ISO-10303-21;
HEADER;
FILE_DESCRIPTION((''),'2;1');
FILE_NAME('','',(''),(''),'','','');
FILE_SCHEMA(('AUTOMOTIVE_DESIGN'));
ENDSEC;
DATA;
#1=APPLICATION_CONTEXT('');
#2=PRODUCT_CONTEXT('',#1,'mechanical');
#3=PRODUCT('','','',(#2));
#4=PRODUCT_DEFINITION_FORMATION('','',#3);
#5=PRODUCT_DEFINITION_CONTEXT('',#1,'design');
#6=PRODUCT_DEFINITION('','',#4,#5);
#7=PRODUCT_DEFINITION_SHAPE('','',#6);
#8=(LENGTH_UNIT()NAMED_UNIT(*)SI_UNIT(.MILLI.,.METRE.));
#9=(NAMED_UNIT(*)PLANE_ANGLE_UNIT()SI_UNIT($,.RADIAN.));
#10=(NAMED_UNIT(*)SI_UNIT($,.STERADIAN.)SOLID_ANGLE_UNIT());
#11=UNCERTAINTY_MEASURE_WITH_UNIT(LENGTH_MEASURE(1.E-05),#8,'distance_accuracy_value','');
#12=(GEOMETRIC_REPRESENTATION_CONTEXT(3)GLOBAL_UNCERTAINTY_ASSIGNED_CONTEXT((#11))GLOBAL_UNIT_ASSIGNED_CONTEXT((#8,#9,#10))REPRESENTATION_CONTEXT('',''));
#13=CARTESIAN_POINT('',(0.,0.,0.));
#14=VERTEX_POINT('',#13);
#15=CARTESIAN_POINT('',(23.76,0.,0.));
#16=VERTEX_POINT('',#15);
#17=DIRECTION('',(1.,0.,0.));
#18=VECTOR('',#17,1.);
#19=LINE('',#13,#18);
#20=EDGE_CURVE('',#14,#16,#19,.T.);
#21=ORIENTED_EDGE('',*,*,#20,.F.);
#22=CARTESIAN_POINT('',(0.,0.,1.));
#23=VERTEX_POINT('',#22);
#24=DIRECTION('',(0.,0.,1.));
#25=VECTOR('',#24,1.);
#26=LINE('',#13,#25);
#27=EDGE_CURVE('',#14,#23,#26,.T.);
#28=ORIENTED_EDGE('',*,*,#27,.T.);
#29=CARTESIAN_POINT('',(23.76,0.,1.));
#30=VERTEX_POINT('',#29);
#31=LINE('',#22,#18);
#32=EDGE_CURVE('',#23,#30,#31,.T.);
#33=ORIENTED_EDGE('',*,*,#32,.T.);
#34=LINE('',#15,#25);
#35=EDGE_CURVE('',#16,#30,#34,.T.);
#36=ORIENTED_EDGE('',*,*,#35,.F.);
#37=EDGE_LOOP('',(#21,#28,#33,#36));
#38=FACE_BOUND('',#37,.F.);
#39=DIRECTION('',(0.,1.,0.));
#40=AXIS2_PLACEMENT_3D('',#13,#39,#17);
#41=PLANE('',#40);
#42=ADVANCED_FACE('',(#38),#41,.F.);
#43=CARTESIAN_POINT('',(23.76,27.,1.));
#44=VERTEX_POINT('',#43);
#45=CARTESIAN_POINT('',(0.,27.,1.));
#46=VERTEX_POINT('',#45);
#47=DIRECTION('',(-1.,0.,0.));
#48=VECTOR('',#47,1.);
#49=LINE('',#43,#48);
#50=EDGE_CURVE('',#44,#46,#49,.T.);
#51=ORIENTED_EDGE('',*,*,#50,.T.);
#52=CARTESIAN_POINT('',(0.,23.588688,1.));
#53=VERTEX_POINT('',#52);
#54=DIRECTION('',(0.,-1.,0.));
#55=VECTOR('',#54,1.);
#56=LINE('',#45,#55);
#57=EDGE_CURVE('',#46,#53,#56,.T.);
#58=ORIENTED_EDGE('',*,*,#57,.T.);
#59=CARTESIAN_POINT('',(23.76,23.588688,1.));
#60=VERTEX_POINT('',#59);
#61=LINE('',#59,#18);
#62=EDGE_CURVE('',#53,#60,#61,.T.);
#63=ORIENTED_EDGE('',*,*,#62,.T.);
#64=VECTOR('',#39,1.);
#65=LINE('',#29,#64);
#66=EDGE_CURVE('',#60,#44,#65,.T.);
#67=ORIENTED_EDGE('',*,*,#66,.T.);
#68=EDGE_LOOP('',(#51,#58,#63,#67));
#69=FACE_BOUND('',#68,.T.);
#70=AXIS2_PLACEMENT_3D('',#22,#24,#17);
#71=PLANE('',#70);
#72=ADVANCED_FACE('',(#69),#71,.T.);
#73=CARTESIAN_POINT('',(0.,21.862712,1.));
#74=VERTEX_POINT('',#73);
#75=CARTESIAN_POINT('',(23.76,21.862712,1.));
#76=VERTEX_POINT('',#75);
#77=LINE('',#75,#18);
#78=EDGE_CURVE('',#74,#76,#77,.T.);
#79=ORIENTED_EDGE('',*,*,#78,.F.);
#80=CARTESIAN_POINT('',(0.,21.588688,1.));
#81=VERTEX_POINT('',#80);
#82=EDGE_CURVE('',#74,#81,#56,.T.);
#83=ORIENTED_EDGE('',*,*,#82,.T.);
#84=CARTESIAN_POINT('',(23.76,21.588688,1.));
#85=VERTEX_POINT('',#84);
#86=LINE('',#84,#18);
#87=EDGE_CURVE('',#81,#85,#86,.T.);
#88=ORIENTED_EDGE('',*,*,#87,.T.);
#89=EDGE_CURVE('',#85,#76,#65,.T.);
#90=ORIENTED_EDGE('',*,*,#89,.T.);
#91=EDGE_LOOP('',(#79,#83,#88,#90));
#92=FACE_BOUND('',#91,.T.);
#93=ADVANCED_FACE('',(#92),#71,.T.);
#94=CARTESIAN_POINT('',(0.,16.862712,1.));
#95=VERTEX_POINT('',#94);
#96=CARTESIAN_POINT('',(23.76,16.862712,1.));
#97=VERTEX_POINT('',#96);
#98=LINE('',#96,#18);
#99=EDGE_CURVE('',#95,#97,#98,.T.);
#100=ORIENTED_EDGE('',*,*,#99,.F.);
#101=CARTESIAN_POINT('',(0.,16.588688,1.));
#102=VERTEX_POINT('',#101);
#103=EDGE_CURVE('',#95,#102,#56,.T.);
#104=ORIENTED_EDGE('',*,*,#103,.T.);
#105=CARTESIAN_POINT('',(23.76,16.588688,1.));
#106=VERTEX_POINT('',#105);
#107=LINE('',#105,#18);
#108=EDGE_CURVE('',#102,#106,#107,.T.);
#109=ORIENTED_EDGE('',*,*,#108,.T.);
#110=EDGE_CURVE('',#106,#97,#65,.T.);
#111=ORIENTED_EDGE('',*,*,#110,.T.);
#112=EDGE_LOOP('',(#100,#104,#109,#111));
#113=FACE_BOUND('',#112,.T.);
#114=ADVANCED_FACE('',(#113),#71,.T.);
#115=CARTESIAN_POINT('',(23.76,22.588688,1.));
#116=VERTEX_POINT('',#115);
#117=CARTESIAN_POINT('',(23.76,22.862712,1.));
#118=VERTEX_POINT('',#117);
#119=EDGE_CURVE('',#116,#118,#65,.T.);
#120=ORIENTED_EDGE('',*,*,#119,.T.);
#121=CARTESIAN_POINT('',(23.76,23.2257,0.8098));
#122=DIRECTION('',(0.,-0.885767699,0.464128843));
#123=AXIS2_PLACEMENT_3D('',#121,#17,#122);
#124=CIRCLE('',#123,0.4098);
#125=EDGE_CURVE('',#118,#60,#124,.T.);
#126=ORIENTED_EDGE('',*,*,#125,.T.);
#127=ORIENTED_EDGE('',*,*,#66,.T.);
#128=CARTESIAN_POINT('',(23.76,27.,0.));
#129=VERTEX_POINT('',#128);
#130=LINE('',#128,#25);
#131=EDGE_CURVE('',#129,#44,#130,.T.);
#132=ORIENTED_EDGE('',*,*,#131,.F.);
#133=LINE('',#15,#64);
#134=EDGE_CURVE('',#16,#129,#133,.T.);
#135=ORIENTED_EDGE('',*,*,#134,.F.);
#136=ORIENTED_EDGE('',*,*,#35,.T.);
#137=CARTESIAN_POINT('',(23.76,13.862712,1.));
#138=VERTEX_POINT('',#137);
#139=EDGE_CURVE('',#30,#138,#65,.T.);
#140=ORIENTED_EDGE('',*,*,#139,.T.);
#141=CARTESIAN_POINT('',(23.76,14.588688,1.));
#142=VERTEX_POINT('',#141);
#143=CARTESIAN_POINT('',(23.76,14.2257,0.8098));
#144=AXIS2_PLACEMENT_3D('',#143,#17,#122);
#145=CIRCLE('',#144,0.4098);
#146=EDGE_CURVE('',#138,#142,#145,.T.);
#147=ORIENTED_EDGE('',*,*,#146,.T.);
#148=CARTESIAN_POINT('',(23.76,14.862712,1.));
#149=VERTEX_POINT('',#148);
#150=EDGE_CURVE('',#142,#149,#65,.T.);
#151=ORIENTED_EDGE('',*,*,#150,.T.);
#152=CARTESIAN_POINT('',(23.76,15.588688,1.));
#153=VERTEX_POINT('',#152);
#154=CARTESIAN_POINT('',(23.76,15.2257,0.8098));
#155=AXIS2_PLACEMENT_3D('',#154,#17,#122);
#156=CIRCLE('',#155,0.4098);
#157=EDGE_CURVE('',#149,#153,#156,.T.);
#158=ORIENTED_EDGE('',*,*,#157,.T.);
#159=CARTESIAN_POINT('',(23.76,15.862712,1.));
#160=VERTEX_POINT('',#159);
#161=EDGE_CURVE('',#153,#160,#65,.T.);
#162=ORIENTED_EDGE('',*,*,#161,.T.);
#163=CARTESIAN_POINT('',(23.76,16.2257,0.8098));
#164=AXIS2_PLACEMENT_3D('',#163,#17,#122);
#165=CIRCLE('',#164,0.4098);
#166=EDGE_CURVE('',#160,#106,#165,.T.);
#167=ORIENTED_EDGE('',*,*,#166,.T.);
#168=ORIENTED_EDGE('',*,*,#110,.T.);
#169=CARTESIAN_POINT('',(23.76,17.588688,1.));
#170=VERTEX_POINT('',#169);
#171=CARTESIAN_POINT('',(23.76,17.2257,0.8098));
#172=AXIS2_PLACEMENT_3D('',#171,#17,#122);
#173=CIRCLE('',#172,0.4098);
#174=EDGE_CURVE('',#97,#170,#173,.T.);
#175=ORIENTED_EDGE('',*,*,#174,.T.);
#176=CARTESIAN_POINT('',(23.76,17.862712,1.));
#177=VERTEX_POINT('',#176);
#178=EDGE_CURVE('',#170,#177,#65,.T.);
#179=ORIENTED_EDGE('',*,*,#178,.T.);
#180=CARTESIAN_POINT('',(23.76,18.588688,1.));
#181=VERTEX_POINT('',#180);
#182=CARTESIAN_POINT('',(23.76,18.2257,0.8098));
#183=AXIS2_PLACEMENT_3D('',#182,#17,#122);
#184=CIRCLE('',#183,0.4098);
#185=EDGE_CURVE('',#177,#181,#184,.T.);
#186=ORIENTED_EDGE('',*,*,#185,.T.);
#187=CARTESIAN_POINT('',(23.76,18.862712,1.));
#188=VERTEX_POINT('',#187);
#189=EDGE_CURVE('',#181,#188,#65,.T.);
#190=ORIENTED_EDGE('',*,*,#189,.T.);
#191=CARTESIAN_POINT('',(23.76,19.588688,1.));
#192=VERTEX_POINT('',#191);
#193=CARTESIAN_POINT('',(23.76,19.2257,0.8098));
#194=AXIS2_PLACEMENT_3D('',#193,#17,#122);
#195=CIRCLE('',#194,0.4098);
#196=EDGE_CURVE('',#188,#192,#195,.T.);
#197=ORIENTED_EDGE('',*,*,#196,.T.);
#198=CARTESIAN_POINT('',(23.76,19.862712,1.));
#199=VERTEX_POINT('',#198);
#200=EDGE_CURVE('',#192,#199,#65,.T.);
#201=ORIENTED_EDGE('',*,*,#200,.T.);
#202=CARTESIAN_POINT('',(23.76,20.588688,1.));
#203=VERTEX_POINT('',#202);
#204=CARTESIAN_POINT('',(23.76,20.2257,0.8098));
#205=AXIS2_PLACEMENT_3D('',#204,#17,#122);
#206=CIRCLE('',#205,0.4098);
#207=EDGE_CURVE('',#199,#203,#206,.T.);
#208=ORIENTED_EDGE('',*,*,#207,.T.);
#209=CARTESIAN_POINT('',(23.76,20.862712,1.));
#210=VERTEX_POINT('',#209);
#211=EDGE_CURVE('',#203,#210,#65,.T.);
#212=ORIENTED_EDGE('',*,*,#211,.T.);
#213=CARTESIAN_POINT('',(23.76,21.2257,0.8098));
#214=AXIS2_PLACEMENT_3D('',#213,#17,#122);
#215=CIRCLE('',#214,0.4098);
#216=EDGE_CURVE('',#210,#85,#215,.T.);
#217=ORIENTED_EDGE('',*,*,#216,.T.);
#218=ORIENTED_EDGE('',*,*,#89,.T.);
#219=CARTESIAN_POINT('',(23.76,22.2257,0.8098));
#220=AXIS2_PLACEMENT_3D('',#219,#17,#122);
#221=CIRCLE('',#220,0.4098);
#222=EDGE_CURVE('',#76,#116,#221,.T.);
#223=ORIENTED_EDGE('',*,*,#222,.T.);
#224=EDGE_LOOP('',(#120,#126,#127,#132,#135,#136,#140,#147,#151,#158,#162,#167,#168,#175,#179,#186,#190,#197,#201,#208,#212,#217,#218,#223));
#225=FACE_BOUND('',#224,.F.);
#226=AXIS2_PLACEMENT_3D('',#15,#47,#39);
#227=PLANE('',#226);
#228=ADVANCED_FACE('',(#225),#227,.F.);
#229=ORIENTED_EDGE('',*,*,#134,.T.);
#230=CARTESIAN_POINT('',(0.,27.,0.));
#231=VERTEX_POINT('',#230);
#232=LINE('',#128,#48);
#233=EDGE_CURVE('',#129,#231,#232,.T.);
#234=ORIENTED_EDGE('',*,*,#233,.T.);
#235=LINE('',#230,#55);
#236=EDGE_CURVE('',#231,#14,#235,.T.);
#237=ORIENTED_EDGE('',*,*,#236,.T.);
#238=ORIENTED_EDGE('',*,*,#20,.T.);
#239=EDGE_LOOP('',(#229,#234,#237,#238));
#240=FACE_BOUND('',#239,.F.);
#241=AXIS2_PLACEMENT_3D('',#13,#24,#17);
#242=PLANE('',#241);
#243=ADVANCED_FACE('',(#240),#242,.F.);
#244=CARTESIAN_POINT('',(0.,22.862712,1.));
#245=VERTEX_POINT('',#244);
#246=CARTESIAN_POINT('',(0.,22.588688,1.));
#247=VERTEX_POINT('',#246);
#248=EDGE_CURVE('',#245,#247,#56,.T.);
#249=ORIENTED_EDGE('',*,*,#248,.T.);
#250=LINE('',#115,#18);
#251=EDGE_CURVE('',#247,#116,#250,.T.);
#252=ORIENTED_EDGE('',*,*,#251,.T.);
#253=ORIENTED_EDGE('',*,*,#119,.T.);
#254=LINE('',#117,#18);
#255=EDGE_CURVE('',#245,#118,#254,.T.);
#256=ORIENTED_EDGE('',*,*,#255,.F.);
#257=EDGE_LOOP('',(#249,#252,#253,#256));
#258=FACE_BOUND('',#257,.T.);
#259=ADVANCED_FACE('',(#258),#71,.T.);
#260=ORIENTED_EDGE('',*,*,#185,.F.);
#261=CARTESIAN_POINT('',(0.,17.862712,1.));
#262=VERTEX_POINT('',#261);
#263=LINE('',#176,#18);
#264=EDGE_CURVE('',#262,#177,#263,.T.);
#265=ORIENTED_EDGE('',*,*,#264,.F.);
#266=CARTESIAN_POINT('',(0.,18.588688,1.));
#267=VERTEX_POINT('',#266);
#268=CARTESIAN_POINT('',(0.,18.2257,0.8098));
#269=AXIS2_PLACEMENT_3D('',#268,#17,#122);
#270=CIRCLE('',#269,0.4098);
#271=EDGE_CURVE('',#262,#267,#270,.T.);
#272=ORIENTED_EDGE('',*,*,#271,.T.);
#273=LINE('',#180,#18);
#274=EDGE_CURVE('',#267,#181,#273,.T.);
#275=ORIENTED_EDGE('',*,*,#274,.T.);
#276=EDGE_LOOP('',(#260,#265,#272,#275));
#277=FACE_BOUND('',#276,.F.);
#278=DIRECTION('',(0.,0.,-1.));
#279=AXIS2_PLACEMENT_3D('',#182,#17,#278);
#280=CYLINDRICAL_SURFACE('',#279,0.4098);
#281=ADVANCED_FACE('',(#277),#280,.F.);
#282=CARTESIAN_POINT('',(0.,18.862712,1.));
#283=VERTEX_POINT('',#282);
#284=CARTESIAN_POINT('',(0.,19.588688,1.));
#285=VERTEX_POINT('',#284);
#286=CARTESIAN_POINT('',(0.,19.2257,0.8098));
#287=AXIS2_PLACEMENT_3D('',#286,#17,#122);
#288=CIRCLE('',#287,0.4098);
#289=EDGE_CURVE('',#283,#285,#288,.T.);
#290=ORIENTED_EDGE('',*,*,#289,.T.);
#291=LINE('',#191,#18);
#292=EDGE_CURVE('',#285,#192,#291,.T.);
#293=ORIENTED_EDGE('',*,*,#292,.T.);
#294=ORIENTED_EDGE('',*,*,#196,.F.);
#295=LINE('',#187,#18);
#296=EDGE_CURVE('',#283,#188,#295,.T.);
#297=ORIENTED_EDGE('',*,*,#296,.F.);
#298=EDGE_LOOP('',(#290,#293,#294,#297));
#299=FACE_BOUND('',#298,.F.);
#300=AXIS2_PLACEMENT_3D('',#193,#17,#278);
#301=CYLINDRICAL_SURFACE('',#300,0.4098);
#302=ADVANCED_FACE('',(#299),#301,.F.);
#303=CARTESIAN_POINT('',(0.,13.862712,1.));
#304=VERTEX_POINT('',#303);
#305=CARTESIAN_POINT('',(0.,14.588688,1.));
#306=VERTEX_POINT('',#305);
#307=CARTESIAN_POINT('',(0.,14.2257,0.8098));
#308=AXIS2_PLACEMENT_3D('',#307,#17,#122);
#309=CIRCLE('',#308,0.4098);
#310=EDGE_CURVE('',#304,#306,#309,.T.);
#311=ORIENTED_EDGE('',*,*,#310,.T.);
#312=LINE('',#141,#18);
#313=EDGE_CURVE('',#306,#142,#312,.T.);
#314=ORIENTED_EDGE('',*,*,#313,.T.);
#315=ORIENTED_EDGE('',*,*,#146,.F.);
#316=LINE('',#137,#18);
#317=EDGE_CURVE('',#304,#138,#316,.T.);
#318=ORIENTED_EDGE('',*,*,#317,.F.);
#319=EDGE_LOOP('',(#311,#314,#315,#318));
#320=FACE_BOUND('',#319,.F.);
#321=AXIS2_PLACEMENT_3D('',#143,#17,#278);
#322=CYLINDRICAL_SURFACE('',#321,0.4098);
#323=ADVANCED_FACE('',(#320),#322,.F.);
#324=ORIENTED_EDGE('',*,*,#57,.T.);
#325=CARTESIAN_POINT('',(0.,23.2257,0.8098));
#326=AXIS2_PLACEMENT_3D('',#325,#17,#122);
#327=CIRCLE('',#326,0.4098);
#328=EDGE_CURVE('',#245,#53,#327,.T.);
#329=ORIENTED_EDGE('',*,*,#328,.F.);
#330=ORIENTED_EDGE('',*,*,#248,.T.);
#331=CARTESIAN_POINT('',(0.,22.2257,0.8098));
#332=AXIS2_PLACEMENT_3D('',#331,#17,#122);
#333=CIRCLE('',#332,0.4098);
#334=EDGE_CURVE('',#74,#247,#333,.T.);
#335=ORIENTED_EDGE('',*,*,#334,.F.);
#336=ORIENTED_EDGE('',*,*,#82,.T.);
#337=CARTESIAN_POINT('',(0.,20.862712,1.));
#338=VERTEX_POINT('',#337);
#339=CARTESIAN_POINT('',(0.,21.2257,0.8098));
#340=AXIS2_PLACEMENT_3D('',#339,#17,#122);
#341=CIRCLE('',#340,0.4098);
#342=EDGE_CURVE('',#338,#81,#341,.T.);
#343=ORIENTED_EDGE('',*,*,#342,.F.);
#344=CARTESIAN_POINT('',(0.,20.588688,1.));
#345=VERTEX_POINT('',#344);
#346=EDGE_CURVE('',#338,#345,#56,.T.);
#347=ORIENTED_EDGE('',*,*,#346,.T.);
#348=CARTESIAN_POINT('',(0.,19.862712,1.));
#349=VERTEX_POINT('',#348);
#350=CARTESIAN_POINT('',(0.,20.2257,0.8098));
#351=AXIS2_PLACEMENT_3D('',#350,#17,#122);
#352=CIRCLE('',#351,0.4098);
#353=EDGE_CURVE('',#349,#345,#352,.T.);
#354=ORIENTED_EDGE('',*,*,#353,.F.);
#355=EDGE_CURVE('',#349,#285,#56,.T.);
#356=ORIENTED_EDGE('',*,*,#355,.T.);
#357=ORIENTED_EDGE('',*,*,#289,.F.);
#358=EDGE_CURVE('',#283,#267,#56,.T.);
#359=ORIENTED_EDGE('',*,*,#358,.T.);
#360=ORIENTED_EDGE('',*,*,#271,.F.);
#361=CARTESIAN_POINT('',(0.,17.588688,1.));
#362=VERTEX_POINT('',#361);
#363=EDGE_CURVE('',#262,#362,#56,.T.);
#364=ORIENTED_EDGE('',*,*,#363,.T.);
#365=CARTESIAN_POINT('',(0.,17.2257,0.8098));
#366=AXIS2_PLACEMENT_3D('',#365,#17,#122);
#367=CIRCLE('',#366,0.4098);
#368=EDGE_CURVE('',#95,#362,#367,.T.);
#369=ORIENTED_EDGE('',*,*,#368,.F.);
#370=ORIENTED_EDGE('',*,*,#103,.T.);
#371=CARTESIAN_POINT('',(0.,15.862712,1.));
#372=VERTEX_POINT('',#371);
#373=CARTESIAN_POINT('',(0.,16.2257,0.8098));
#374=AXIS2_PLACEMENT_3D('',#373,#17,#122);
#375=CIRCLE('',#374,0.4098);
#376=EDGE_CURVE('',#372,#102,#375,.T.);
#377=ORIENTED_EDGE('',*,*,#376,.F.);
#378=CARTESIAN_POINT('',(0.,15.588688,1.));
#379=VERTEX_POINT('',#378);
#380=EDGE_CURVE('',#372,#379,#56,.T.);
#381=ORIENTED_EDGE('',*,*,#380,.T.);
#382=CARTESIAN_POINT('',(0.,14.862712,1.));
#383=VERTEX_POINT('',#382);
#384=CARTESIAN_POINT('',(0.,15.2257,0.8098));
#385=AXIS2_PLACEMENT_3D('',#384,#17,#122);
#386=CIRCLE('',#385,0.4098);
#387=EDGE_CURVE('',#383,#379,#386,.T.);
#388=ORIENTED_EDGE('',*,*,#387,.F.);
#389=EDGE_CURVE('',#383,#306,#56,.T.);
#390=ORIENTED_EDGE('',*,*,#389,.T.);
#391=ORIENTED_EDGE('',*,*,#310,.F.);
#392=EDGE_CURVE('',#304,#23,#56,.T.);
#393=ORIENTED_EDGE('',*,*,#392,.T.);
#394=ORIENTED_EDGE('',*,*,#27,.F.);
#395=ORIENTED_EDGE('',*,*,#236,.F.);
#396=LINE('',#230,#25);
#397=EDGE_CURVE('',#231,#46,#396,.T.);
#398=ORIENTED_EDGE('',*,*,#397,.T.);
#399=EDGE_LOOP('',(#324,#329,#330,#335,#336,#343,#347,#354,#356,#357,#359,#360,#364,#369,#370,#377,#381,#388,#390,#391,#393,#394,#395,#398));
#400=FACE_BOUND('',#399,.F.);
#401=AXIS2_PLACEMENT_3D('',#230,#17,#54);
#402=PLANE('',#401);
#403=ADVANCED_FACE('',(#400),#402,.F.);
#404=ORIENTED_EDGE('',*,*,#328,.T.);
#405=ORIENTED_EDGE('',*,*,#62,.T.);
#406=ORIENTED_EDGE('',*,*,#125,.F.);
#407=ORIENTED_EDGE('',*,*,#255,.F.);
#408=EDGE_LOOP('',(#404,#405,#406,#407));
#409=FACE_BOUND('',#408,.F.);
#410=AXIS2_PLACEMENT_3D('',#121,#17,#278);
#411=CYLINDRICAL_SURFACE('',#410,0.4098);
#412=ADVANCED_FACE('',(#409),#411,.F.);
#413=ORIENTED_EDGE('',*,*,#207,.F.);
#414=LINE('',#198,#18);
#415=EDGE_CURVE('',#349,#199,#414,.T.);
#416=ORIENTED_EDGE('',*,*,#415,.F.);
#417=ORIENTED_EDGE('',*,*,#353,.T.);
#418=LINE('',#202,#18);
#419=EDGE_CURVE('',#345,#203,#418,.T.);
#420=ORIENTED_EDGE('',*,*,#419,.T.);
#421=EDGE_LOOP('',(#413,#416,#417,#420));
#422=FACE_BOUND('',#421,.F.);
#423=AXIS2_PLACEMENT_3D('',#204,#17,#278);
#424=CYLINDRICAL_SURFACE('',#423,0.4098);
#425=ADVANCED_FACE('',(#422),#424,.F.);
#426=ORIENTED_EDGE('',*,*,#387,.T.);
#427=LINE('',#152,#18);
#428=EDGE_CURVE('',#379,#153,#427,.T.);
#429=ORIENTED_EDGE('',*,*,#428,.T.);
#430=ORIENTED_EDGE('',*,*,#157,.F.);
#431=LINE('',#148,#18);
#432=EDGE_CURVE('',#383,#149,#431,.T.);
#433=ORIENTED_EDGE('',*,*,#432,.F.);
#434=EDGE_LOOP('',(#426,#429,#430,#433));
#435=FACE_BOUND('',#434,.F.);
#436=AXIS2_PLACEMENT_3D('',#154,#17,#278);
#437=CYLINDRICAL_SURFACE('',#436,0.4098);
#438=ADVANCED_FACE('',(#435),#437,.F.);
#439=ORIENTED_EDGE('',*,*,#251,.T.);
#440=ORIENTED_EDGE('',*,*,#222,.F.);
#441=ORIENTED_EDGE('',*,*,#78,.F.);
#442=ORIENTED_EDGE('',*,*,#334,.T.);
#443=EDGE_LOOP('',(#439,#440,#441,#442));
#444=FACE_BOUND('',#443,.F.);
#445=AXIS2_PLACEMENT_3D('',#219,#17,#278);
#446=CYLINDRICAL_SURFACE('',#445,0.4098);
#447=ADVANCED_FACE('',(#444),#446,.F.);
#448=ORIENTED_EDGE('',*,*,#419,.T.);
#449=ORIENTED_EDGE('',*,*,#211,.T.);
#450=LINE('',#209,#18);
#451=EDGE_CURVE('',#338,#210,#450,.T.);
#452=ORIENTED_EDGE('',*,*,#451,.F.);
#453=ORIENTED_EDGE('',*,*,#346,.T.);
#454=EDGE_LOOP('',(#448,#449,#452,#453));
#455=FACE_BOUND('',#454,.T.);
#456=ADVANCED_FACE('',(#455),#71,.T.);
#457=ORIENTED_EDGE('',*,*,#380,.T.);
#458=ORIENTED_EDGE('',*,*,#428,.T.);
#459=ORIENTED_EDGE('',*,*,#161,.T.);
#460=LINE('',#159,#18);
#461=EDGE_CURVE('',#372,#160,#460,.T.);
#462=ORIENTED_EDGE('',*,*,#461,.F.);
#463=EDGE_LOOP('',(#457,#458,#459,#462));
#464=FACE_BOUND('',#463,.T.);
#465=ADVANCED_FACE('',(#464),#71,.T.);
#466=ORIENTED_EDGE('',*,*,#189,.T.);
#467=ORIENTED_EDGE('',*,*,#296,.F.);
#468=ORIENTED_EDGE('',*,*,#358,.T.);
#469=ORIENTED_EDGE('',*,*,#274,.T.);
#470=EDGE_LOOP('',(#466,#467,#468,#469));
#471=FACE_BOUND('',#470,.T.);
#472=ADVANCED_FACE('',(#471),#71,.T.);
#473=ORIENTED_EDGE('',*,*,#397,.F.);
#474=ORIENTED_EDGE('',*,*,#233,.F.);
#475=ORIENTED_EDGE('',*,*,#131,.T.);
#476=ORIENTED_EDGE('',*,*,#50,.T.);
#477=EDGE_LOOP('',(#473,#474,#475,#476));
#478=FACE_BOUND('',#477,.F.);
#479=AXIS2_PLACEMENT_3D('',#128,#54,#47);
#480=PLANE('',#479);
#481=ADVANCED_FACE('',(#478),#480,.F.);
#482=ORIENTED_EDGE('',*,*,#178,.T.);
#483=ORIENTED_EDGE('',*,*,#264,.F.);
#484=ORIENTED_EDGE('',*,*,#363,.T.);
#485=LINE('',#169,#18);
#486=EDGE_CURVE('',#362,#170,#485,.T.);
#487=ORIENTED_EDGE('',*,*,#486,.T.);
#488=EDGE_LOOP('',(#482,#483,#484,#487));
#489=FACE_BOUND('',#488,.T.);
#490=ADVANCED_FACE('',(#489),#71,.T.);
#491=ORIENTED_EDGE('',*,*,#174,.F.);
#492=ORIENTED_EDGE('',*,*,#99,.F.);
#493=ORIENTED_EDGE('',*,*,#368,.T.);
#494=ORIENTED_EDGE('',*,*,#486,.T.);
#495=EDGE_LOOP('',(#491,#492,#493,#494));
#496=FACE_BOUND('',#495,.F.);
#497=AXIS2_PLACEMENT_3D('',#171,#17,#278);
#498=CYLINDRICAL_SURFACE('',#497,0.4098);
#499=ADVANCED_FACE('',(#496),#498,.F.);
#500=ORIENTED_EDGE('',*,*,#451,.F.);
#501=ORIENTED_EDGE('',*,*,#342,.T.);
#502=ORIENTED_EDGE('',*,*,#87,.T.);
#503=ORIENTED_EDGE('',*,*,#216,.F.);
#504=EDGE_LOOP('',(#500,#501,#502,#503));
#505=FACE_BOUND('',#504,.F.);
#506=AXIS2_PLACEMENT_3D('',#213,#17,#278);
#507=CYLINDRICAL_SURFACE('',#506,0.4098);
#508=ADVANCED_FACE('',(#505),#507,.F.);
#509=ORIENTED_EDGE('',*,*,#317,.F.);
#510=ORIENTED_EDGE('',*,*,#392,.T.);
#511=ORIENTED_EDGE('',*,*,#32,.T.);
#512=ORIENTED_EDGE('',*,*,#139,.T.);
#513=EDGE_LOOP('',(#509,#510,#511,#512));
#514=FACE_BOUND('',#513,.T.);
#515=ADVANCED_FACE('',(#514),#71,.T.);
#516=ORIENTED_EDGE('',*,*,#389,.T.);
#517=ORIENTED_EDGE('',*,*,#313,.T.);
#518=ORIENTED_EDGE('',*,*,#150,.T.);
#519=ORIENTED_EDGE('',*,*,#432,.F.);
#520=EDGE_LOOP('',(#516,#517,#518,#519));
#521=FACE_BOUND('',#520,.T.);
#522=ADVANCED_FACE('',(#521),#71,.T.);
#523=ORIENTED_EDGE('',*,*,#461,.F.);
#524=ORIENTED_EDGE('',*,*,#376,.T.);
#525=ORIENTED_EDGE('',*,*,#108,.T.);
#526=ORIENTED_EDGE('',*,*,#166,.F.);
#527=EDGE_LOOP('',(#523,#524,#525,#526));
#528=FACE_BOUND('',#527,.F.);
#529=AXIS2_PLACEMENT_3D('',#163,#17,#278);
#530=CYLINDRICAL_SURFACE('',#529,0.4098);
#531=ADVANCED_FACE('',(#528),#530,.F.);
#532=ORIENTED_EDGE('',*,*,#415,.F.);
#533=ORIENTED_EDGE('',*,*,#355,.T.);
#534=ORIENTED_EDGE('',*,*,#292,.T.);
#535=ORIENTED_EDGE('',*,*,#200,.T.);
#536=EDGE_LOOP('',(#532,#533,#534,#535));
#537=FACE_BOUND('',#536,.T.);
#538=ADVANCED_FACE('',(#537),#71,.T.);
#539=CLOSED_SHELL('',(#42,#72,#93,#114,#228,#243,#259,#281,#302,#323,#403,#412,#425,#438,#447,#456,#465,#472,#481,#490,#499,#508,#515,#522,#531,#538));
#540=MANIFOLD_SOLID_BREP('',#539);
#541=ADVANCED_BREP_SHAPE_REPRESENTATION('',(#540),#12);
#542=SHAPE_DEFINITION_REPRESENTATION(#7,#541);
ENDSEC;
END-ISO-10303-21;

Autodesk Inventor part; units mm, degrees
ref_plane "YZ Plane" through (0, 0, 0) normal (1, 0, 0) x (0, 1, 0)
ref_plane "XZ Plane" through (0, 0, 0) normal (0, 1, 0) x (-1, 0, 0)
ref_plane "XY Plane" through (0, 0, 0) normal (0, 0, 1) x (1, 0, 0)
sketch "Sketch1" plane through (0, 0, 0) normal (0, 0, 1) x (1, 0, 0)
  line L0 (0, 0) -> (23.76, 0)
  line L1 (23.76, 0) -> (23.76, 27)
  line L2 (23.76, 27) -> (0, 27)
  line L3 (0, 27) -> (0, 0)
  dimension "d0" = 23.76
  dimension "d1" = 27
extrude "Extrusion1" add sketch "Sketch1" along normal blind 1
sketch "Sketch3" plane through (23.76, 0, 0) normal (1, 0, 0) x (0, 0, -1)
  line L0 (-1, 0) -> (-1, 27) projected
  line L1 (0, 0) -> (-1, 0) projected
  line L2 (0, 0) -> (0, 27) projected
  line L3 (0, 27) -> (-1, 27) projected
  circle A0 centre (-0.8098, 23.2257) radius 0.4098
  line L4 (-0.4, 23.7) -> (-0.4, 16.95) projected
  point P0 (0, 0)
extrude "Extrusion3" cut sketch "Sketch3" against normal through all contours A0 L0 | L0 A0
pattern_linear "Rectangular Pattern2" count 10 spacing 1 along (0, -1, 0) of "Extrusion3"
properties part number "00_chip_fibers_01"
